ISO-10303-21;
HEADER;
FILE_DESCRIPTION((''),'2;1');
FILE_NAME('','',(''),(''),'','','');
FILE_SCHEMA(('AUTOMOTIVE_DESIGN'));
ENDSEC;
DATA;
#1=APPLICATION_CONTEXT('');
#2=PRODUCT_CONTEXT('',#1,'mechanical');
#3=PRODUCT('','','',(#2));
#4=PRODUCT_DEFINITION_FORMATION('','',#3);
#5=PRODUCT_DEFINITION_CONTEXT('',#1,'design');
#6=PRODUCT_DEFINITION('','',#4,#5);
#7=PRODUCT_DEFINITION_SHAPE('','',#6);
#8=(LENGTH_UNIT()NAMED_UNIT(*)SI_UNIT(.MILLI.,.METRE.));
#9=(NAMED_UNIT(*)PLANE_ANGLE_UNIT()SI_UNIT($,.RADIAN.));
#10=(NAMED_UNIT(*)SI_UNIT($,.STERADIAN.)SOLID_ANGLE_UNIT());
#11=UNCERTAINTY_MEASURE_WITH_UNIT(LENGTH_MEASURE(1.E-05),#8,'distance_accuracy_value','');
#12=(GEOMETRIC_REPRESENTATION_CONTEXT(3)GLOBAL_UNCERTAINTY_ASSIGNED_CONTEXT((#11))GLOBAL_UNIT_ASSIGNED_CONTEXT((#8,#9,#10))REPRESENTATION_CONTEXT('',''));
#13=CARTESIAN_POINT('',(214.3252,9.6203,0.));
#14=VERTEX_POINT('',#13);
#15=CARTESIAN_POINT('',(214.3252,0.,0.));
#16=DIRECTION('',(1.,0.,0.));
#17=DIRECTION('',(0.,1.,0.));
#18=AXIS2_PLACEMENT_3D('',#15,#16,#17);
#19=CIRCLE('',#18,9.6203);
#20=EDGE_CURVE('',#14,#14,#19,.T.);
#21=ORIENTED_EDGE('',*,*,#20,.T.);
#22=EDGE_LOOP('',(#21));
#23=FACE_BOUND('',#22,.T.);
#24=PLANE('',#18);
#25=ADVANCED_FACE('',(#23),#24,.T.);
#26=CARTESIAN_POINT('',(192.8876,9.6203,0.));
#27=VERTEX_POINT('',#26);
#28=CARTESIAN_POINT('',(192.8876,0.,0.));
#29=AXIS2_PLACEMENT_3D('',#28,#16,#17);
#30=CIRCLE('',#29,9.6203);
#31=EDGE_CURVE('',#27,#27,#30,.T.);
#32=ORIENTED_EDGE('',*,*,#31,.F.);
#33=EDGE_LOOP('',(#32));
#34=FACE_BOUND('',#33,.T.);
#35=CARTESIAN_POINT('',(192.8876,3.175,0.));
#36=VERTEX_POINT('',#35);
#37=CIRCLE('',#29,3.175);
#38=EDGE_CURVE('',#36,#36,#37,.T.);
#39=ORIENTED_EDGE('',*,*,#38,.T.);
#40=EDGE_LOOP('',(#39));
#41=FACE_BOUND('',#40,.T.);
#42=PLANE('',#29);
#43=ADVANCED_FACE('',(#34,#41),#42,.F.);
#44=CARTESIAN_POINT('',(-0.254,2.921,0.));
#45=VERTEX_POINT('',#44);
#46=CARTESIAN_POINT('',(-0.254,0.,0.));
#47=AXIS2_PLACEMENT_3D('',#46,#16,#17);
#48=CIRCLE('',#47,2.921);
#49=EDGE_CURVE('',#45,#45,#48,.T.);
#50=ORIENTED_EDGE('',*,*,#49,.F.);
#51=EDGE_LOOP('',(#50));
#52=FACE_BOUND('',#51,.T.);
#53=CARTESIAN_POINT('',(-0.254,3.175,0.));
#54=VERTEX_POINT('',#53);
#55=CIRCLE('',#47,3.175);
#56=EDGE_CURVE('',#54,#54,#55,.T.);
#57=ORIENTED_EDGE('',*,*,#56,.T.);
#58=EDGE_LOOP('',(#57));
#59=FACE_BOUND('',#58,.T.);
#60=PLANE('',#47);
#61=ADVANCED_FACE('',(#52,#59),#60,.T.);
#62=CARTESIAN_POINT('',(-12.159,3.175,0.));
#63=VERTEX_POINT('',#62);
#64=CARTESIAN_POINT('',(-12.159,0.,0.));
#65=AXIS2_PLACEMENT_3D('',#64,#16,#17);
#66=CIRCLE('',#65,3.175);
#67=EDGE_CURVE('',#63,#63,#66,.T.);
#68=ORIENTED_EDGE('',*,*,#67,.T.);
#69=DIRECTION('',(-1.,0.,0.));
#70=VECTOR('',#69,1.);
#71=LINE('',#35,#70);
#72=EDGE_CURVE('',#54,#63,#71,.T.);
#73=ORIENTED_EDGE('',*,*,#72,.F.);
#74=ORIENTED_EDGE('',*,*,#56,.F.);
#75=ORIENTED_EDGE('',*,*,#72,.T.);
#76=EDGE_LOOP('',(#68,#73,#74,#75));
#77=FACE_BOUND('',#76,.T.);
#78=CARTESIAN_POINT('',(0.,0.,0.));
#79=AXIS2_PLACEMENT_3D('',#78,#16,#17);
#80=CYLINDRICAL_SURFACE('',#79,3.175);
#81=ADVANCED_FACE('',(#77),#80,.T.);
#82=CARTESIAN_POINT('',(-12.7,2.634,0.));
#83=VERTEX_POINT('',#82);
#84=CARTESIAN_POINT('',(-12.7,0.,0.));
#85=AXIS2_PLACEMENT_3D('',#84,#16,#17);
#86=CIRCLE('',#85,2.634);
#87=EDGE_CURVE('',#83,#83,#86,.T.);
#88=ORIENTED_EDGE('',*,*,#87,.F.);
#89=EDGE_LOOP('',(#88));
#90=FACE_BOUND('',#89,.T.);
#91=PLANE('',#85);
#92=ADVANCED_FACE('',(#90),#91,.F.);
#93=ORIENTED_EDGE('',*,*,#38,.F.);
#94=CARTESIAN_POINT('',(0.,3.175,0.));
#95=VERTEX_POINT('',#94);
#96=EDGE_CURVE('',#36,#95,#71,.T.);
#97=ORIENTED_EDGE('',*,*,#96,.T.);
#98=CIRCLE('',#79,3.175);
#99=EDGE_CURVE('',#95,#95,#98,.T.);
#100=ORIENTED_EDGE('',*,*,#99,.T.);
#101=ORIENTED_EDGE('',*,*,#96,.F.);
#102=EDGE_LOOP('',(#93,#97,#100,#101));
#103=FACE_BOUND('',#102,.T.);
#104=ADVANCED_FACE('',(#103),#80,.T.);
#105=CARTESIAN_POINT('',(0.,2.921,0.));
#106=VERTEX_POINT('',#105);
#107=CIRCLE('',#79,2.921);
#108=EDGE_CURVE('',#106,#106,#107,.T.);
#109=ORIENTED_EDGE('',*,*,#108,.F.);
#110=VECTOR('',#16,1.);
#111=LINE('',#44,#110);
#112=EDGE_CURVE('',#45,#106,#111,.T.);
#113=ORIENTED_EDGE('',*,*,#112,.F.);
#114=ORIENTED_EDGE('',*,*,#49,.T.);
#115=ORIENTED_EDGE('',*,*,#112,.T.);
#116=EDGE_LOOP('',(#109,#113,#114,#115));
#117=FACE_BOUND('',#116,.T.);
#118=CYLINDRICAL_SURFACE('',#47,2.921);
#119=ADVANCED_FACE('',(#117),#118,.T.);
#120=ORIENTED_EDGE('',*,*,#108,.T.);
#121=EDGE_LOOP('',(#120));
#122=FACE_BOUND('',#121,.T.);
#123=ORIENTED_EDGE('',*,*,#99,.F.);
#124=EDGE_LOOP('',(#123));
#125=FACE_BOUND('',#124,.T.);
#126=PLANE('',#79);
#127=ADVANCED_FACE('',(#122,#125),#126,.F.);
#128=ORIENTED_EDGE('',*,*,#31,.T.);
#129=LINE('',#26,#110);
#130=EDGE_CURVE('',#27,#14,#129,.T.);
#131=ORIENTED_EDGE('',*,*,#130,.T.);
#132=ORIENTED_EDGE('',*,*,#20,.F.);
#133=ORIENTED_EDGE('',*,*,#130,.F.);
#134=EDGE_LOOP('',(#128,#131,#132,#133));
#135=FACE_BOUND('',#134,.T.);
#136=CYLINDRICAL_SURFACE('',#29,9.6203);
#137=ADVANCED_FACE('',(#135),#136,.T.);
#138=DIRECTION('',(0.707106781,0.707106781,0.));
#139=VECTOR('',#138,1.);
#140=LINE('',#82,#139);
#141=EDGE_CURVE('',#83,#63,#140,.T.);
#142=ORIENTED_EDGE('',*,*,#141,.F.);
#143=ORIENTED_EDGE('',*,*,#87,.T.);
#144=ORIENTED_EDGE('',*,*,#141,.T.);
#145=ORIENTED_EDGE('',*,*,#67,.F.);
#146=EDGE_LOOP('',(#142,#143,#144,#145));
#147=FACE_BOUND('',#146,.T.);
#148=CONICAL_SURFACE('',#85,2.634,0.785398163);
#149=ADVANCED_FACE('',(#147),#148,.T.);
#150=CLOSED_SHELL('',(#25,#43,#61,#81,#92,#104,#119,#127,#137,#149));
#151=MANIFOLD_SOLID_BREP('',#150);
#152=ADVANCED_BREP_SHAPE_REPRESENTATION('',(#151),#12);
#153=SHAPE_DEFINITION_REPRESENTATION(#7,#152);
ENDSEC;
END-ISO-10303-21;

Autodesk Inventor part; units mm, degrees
sketch "Sketch_1" plane through (0, 0, 0) normal (0, 0, 1) x (1, 0, 0)
  line L0 (214.3252, 0) -> (0, 0)
  line L1 (0, 0) -> (0, 3.175)
  line L2 (0, 3.175) -> (192.8876, 3.175)
  line L3 (192.8876, 3.175) -> (192.8876, 9.6203)
  line L4 (192.8876, 9.6203) -> (214.3252, 9.6203)
  line L5 (214.3252, 9.6203) -> (214.3252, 0)
  line L6 (214.3252, 0) -> (0, 0)
revolve "Revolution1" add sketch "Sketch_1" angle 360 about axis through (214.3252, 0, 0) along (1, 0, 0)
sketch "Sketch_3" plane through (0, 0, 0) normal (0, 0, 1) x (1, 0, 0)
  line L0 (0, 0) -> (-12.7, 0)
  line L1 (-12.7, 0) -> (-12.7, 2.634)
  line L2 (-12.7, 2.634) -> (-12.159, 3.175)
  line L3 (-12.159, 3.175) -> (0, 3.175)
  line L4 (0, 3.175) -> (0, 0)
  line L5 (0, 0) -> (-12.7, 0)
revolve "Revolution2" add sketch "Sketch_3" angle 360 about axis through (0, 0, 0) along (1, 0, 0)
thread "Thread1" size "1/4-28 UNF" class "3A" standard "ANSI Unified Screw Threads" length 12.7 offset 192.8876
sketch "Sketch_30" plane through (0, 0, 0) normal (0, 0, 1) x (1, 0, 0)
  line L0 (0, 0) -> (-0.254, 0)
  line L1 (-0.254, 3.429) -> (-0.254, 2.921)
  line L2 (-0.254, 2.921) -> (0, 2.921)
  line L3 (0, 2.921) -> (0, 3.429)
  line L4 (0, 3.429) -> (-0.254, 3.429)
revolve "Revolution3" cut sketch "Sketch_30" angle 360 about axis through (0, 0, 0) along (1, 0, 0)
ref_plane "rod_cp_XY" through (0, 0, 0) normal (1, 0, 0) x (0, 0, -1)
ref_plane "rod_cp_YZ" through (0, 0, 0) normal (0, 0, -1) x (0, 1, 0)
ref_plane "rod_cp_ZX" through (0, 0, 0) normal (0, 1, 0) x (1, 0, 0)
ref_plane "to_rod_clevis_XY" through (-12.7, 0, 0) normal (1, 0, 0) x (0, 0, -1)
ref_plane "to_rod_clevis_YZ" through (-12.7, 0, 0) normal (0, 0, -1) x (0, 1, 0)
ref_plane "to_rod_clevis_ZX" through (-12.7, 0, 0) normal (0, 1, 0) x (1, 0, 0)
ref_plane "rl2_XY" through (0, 0, 0) normal (1, 0, 0) x (0, 0, -1)
ref_plane "rl2_YZ" through (0, 0, 0) normal (0, 0, -1) x (0, 1, 0)
ref_plane "rl2_ZX" through (0, 0, 0) normal (0, 1, 0) x (1, 0, 0)
ref_plane "rl1_XY" through (-12.7, 0, 0) normal (1, 0, 0) x (0, 0, -1)
ref_plane "rl1_YZ" through (-12.7, 0, 0) normal (0, 0, -1) x (0, 1, 0)
ref_plane "rl1_ZX" through (-12.7, 0, 0) normal (0, 1, 0) x (1, 0, 0)
ref_plane "thd1_XY" through (-12.7, 3.175, 0) normal (1, 0, 0) x (0, 0, -1)
ref_plane "thd1_YZ" through (-12.7, 3.175, 0) normal (0, 0, -1) x (0, 1, 0)
ref_plane "thd1_ZX" through (-12.7, 3.175, 0) normal (0, 1, 0) x (1, 0, 0)
ref_plane "thd2_XY" through (-12.7, -3.175, 0) normal (1, 0, 0) x (0, 0, -1)
ref_plane "thd2_YZ" through (-12.7, -3.175, 0) normal (0, 0, -1) x (0, 1, 0)
ref_plane "thd2_ZX" through (-12.7, -3.175, 0) normal (0, 1, 0) x (1, 0, 0)
ref_plane "dia1_XY" through (0, 3.175, 0) normal (1, 0, 0) x (0, 0, -1)
ref_plane "dia1_YZ" through (0, 3.175, 0) normal (0, 0, -1) x (0, 1, 0)
ref_plane "dia1_ZX" through (0, 3.175, 0) normal (0, 1, 0) x (1, 0, 0)
ref_plane "dia2_XY" through (0, -3.175, 0) normal (1, 0, 0) x (0, 0, -1)
ref_plane "dia2_YZ" through (0, -3.175, 0) normal (0, 0, -1) x (0, 1, 0)
ref_plane "dia2_ZX" through (0, -3.175, 0) normal (0, 1, 0) x (1, 0, 0)
ref_plane "hh1_XY" through (244.4496, 0, 0) normal (0, 0, 1) x (1, 0, 0)
ref_plane "hh1_YZ" through (244.4496, 0, 0) normal (1, 0, 0) x (0, 1, 0)
ref_plane "hh1_ZX" through (244.4496, 0, 0) normal (0, 1, 0) x (0, 0, 1)
ref_plane "hh2_XY" through (250.8504, 0, 0) normal (0, 0, 1) x (1, 0, 0)
ref_plane "hh2_YZ" through (250.8504, 0, 0) normal (1, 0, 0) x (0, 1, 0)
ref_plane "hh2_ZX" through (250.8504, 0, 0) normal (0, 1, 0) x (0, 0, 1)
ref_plane "dia12_XY" through (0, 0, 10.9537) normal (1, 0, 0) x (0, 0, -1)
ref_plane "dia12_YZ" through (0, 0, 10.9537) normal (0, 0, -1) x (0, 1, 0)
ref_plane "dia12_ZX" through (0, 0, 10.9537) normal (0, 1, 0) x (1, 0, 0)
ref_plane "dia22_XY" through (0, 0, -10.9537) normal (1, 0, 0) x (0, 0, -1)
ref_plane "dia22_YZ" through (0, 0, -10.9537) normal (0, 0, -1) x (0, 1, 0)
ref_plane "dia22_ZX" through (0, 0, -10.9537) normal (0, 1, 0) x (1, 0, 0)
properties part number "046-DXP0_rod"
